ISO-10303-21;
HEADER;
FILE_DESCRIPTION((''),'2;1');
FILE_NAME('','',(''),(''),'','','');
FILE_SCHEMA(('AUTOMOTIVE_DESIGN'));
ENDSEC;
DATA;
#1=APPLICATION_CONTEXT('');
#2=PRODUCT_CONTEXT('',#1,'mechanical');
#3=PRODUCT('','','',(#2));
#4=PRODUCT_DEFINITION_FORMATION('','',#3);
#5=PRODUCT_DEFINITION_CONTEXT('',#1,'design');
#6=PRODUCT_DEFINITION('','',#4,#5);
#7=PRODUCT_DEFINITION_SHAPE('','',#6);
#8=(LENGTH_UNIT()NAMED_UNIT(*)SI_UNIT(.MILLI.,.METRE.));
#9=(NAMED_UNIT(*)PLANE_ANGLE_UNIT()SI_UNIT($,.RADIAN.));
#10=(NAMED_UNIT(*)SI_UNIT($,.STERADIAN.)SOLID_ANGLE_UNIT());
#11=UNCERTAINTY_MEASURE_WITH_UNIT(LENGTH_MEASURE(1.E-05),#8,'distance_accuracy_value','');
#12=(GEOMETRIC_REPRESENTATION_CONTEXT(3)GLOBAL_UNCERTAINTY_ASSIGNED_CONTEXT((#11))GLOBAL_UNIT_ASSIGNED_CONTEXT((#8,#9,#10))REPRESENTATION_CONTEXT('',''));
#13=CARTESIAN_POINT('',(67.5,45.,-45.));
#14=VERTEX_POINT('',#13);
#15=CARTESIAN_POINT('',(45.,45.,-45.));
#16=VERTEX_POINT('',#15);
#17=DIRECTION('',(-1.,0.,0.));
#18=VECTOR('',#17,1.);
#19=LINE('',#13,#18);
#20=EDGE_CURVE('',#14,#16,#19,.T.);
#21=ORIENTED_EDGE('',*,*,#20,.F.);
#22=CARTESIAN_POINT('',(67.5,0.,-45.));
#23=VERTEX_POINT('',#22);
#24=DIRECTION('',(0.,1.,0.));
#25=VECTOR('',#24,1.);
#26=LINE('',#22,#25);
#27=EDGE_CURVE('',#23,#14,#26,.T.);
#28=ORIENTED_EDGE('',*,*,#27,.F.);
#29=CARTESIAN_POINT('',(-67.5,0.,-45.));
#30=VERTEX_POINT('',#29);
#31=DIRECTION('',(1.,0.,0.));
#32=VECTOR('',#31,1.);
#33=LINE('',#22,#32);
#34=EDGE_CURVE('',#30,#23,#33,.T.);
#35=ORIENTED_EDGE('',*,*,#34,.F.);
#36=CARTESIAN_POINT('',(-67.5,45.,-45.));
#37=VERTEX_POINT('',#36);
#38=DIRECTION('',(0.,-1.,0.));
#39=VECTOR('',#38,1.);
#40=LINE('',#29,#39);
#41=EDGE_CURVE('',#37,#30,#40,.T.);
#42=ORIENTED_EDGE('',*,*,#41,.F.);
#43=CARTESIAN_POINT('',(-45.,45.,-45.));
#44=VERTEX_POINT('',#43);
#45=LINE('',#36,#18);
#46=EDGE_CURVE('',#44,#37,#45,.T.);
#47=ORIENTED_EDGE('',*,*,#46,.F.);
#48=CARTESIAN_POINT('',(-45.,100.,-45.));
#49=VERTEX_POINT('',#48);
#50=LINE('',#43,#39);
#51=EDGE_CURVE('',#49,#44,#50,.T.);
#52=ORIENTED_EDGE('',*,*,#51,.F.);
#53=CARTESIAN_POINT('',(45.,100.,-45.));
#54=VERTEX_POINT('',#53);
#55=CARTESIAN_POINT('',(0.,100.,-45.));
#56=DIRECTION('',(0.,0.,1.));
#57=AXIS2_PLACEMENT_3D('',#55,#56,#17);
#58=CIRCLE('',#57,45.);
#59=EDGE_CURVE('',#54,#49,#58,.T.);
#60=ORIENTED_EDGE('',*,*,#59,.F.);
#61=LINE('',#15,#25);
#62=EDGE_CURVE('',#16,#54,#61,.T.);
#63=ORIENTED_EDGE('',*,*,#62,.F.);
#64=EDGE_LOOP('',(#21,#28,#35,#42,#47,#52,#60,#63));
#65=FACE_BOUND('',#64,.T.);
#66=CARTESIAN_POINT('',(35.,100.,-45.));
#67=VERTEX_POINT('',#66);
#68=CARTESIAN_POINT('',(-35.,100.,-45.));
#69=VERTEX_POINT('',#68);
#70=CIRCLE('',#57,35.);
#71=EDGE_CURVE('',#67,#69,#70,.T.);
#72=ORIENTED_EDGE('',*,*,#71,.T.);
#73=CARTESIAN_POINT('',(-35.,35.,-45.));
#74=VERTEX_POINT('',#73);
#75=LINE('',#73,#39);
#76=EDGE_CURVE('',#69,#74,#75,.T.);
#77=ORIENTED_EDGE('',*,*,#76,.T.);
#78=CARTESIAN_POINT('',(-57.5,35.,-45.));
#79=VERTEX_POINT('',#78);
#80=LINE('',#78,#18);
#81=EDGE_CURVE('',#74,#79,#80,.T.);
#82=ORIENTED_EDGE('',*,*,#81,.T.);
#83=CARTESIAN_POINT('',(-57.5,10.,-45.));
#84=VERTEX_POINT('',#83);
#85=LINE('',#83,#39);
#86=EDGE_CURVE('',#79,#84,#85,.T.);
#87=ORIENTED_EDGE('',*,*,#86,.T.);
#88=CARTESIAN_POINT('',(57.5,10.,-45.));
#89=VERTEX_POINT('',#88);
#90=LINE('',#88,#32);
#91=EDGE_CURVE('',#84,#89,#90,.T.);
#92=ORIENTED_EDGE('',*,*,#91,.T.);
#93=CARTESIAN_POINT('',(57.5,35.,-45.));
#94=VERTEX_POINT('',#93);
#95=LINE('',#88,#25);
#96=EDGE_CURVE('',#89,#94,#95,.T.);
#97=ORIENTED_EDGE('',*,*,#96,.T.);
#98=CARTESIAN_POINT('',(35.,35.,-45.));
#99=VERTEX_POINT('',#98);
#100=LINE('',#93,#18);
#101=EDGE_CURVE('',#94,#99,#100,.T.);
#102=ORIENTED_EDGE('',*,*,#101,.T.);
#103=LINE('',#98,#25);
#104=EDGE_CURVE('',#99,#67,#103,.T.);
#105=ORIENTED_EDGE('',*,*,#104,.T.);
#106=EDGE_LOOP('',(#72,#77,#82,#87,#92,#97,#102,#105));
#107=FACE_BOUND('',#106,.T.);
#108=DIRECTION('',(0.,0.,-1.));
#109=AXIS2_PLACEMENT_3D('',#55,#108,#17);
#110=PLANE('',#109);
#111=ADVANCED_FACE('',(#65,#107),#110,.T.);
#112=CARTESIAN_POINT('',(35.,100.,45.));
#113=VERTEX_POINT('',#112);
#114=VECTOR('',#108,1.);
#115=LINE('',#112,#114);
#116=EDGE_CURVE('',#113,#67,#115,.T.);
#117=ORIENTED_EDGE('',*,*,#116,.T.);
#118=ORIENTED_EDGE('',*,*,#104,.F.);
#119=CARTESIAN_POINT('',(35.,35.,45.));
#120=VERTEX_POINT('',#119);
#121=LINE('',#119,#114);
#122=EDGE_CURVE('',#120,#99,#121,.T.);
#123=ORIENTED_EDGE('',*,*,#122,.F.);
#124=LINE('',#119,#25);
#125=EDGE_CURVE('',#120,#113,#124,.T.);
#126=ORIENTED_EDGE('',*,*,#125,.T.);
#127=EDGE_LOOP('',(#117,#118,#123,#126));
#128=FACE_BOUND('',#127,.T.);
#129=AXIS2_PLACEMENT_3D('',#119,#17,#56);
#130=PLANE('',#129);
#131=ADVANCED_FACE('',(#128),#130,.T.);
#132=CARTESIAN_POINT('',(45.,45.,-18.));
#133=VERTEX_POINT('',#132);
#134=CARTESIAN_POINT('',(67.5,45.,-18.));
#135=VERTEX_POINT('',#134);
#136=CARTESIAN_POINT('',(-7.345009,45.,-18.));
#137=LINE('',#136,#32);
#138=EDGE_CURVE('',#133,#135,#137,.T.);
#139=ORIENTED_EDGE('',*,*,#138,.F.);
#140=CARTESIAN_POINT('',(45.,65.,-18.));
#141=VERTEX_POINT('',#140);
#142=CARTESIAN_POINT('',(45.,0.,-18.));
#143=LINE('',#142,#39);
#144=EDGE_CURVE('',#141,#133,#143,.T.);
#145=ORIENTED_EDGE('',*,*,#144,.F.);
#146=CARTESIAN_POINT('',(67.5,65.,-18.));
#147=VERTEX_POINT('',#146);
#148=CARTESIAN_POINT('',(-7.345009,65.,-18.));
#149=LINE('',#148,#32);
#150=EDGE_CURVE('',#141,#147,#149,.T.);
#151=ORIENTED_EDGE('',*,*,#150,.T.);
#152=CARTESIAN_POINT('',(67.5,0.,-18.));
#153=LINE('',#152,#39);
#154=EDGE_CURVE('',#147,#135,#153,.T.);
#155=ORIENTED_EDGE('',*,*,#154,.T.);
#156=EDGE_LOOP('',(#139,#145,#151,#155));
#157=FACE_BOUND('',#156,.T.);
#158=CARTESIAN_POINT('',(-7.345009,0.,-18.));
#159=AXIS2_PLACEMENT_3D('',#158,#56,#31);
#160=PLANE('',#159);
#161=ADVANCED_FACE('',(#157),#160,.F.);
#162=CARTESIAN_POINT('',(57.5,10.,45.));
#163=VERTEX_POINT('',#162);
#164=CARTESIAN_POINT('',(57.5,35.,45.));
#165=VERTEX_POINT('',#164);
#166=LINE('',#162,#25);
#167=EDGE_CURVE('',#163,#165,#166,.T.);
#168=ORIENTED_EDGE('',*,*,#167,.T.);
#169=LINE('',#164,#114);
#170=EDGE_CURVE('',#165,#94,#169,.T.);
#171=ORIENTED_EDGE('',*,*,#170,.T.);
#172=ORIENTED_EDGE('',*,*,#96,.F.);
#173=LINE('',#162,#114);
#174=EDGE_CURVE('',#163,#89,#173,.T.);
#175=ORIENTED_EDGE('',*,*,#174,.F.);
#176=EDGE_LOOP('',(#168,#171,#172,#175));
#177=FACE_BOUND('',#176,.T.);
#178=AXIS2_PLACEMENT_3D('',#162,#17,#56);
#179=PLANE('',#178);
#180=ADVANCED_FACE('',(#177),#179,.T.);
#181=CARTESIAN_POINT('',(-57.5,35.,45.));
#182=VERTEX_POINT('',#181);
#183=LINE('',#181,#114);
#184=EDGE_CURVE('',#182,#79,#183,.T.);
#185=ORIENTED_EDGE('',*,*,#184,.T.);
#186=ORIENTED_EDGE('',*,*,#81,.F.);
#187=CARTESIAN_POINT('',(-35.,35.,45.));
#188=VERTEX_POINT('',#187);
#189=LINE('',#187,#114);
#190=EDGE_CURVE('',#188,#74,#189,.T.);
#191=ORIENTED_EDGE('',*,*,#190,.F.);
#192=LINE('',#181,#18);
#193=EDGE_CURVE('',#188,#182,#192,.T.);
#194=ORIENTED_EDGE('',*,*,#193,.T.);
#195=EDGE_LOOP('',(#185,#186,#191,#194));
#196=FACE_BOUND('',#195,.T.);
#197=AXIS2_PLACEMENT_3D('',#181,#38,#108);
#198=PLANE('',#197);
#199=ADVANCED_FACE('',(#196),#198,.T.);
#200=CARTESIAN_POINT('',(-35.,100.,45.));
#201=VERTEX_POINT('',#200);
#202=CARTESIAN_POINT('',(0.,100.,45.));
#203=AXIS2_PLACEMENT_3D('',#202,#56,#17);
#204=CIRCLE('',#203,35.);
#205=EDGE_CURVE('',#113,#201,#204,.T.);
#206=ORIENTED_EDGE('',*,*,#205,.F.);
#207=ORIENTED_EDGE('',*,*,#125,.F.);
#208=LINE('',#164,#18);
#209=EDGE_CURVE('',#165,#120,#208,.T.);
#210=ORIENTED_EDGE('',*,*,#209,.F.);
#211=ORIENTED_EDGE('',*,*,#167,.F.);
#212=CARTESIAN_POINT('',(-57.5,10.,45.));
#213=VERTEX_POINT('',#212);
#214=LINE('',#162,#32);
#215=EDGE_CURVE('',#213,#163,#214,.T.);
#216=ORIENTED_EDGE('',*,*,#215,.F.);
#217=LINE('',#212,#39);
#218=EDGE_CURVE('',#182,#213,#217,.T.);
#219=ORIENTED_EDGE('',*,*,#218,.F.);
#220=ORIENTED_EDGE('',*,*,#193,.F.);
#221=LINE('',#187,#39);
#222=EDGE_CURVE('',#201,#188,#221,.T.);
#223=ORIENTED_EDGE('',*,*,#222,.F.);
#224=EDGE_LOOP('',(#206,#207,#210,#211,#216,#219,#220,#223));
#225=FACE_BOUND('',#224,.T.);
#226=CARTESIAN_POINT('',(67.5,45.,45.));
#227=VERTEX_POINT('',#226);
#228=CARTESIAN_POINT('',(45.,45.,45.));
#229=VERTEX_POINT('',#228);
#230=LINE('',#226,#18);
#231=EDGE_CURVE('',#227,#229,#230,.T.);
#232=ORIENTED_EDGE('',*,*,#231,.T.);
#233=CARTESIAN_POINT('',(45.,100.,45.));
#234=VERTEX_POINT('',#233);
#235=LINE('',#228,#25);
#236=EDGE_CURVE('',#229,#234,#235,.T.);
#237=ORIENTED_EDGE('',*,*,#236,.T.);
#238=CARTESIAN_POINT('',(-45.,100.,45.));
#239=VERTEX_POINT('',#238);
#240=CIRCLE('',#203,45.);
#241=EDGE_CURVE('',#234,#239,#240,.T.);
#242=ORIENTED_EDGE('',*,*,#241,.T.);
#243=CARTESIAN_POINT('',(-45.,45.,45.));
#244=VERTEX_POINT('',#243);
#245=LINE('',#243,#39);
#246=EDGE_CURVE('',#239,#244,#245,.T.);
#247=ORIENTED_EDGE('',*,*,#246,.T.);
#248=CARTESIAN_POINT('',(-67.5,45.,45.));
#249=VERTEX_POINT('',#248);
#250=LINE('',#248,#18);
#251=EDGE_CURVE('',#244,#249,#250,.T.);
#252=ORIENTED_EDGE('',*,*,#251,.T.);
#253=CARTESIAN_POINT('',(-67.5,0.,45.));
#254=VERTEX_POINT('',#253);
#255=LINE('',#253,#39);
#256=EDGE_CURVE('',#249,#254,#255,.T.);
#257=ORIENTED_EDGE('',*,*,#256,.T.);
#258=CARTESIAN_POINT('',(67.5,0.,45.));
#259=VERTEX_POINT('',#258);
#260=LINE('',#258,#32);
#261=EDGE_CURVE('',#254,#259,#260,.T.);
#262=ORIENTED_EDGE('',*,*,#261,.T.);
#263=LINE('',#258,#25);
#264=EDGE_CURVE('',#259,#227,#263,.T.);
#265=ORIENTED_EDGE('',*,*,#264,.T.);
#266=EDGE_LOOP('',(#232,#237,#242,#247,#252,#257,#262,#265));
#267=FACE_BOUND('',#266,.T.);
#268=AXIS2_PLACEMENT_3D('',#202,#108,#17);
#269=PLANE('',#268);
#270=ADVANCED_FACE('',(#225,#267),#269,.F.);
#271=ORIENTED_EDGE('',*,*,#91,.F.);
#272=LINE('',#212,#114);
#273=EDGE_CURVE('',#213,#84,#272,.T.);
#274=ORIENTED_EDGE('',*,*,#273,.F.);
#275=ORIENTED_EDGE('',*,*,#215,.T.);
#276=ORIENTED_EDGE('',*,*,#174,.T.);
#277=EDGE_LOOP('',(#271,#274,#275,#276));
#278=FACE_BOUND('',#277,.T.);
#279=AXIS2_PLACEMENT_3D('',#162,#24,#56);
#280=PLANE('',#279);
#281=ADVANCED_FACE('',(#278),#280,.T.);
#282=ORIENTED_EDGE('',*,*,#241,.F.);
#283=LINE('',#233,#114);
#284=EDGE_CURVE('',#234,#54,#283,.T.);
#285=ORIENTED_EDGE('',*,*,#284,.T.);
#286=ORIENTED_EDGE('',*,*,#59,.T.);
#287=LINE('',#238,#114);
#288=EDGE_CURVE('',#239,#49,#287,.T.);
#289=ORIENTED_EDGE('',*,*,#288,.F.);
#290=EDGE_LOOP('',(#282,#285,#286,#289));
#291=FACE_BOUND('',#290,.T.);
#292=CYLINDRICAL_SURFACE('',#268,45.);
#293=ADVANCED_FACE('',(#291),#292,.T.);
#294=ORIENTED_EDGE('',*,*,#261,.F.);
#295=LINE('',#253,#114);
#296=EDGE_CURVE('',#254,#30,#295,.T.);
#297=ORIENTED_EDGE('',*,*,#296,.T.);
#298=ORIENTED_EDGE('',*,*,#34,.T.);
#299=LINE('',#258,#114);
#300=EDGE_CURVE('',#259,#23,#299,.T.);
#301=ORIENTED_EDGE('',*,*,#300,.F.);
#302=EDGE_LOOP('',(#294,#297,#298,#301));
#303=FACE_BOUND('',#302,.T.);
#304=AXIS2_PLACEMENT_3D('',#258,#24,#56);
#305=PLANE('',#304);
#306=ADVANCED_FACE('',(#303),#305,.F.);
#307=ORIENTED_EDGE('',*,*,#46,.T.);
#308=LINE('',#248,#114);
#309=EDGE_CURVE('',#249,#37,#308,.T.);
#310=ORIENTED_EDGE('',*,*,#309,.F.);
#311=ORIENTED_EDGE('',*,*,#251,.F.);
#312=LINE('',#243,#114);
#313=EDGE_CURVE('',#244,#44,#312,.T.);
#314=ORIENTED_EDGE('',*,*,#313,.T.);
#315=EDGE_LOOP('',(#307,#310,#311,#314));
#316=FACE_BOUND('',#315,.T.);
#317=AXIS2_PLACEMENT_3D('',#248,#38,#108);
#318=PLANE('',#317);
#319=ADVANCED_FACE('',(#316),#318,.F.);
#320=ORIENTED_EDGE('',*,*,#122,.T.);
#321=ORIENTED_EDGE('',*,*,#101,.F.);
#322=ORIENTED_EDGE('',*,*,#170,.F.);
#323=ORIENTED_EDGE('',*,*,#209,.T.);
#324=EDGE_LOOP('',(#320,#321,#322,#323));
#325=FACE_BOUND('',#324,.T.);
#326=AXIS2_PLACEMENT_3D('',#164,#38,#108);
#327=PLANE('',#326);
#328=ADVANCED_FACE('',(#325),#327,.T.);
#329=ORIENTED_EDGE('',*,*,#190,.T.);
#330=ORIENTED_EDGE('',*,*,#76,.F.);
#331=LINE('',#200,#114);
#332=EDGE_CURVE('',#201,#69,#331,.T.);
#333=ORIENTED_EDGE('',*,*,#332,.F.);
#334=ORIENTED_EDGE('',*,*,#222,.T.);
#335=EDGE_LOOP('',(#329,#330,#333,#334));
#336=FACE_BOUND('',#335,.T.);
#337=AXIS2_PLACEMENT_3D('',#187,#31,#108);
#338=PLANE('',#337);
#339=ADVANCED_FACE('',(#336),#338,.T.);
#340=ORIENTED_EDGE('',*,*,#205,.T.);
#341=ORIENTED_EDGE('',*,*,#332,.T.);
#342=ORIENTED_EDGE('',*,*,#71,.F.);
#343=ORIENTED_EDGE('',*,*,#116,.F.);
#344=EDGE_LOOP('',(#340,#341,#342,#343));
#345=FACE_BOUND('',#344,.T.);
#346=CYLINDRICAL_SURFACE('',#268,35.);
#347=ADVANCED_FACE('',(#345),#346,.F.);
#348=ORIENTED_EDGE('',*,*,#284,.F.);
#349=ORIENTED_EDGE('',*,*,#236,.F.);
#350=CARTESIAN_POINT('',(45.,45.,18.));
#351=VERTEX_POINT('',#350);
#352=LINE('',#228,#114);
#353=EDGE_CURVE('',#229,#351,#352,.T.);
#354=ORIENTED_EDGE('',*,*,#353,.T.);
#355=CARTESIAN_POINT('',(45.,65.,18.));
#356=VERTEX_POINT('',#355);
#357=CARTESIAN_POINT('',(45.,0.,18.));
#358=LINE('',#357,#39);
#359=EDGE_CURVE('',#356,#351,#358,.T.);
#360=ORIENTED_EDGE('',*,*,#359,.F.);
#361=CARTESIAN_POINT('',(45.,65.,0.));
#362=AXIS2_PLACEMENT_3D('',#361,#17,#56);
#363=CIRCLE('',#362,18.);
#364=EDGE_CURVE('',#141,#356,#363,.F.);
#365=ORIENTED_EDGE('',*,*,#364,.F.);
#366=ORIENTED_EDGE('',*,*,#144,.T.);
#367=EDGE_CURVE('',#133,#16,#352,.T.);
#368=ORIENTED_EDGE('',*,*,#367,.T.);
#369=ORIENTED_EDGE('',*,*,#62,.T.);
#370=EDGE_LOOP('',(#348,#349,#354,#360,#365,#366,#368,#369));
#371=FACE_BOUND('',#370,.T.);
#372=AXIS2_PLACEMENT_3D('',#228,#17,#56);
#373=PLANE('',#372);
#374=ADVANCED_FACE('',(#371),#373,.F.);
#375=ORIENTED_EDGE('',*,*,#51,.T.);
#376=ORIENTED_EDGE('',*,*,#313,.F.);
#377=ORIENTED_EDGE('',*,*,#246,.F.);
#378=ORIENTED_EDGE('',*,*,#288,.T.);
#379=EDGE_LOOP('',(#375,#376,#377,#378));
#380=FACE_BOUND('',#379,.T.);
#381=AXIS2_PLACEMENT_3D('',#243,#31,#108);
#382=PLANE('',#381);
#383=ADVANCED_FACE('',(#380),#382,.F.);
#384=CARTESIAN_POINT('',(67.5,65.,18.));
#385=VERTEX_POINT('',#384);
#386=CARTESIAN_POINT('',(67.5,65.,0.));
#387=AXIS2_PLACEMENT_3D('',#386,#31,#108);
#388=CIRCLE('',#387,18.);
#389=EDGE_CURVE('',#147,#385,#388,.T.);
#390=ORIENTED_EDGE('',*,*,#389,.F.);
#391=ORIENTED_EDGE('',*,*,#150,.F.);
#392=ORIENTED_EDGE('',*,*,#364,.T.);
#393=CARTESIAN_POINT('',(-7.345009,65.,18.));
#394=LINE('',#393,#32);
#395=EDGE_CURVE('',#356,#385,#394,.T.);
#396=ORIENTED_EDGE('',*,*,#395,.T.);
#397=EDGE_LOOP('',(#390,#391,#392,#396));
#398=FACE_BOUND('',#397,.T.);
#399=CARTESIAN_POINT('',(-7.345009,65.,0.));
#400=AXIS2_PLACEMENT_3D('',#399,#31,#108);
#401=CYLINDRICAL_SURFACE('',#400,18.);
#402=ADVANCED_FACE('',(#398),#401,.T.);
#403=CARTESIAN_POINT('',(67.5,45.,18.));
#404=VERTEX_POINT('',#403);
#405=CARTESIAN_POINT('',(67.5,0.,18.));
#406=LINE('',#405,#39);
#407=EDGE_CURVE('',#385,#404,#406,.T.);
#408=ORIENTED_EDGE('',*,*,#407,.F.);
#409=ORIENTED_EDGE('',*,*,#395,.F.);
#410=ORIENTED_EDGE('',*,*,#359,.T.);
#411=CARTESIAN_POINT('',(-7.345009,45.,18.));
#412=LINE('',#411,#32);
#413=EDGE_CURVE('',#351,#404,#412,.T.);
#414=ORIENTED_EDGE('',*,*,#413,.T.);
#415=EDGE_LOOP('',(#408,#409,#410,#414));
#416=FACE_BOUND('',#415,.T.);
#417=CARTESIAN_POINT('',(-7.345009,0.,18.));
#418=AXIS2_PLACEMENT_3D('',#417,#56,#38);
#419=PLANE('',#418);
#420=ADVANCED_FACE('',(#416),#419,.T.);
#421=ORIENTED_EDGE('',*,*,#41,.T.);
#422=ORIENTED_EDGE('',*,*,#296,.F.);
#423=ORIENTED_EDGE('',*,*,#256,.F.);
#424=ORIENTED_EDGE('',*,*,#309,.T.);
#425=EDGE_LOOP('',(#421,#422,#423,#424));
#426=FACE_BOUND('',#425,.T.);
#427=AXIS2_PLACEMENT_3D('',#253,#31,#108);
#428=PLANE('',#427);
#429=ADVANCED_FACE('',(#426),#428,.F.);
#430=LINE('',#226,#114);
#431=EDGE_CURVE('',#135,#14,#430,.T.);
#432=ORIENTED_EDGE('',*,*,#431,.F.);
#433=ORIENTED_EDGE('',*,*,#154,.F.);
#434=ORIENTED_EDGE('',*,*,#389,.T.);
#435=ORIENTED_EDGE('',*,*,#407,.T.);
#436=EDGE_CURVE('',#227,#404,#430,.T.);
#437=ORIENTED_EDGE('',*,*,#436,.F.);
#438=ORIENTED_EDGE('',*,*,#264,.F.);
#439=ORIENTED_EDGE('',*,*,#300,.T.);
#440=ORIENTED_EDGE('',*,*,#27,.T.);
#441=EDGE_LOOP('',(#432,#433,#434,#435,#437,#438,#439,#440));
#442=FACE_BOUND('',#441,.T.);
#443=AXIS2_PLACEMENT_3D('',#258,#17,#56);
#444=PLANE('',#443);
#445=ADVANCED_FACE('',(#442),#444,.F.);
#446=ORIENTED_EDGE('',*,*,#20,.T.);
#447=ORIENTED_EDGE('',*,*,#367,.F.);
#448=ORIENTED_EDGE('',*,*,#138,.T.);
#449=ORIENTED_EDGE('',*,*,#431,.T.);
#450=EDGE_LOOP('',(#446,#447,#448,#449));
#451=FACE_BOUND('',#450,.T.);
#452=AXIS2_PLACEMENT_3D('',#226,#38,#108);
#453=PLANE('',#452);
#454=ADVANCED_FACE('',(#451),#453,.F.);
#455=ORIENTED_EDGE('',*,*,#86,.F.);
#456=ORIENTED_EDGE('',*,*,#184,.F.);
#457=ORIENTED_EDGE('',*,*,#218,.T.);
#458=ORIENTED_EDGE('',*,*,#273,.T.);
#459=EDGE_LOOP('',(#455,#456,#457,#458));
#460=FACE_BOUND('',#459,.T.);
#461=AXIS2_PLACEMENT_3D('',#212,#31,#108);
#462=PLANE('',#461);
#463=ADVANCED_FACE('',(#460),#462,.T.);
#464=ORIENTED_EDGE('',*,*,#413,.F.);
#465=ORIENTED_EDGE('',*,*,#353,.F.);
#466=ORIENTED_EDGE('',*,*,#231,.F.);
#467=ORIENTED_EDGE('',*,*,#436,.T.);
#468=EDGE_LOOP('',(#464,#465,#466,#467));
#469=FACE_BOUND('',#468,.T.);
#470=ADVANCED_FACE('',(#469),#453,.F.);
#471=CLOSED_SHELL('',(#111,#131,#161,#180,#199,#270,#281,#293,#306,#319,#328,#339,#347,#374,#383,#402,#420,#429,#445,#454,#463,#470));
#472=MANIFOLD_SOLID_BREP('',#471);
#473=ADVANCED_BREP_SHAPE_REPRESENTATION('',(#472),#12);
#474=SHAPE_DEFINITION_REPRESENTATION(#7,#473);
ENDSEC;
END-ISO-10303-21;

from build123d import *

# Parameters (mm, degrees)
DODANIE_WYCI_GNI_CIE1_DEPTH = 45
DODANIE_WYCI_GNI_CIE3_DEPTH = 22.5


with BuildPart() as part:
    # Szkic1 → Dodanie-wyciągnięcie1 (new, symmetric)
    with BuildSketch(Plane.XY):
        with BuildLine():
            Line((67.5, 0), (-67.5, 0))
            Line((-67.5, 0), (-67.5, 45))
            Line((-67.5, 45), (-45, 45))
            Line((-45, 45), (-45, 100))
            ThreePointArc((-45, 100), (0, 145), (45, 100))
            Line((45, 100), (45, 45))
            Line((45, 45), (67.5, 45))
            Line((67.5, 45), (67.5, 0))
        make_face()
        with BuildLine():
            Line((35, 35), (35, 100))
            ThreePointArc((35, 100), (0, 135), (-35, 100))
            Line((-35, 100), (-35, 35))
            Line((-35, 35), (-57.5, 35))
            Line((-57.5, 35), (-57.5, 10))
            Line((-57.5, 10), (57.5, 10))
            Line((57.5, 10), (57.5, 35))
            Line((57.5, 35), (35, 35))
        make_face(mode=Mode.SUBTRACT)
    extrude(amount=DODANIE_WYCI_GNI_CIE1_DEPTH, both=True)

    # Szkic2 → Dodanie-wyciągnięcie3 (add)
    with BuildSketch(Plane(origin=(67.5, 0, 0), x_dir=(0, 0, -1), z_dir=(1, 0, 0))):
        with BuildLine():
            Line((-18, 45), (18, 45))
            Line((18, 45), (18, 65))
            ThreePointArc((18, 65), (0, 83), (-18, 65))
            Line((-18, 65), (-18, 45))
        make_face()
    extrude(amount=-DODANIE_WYCI_GNI_CIE3_DEPTH)


solid = part.part
